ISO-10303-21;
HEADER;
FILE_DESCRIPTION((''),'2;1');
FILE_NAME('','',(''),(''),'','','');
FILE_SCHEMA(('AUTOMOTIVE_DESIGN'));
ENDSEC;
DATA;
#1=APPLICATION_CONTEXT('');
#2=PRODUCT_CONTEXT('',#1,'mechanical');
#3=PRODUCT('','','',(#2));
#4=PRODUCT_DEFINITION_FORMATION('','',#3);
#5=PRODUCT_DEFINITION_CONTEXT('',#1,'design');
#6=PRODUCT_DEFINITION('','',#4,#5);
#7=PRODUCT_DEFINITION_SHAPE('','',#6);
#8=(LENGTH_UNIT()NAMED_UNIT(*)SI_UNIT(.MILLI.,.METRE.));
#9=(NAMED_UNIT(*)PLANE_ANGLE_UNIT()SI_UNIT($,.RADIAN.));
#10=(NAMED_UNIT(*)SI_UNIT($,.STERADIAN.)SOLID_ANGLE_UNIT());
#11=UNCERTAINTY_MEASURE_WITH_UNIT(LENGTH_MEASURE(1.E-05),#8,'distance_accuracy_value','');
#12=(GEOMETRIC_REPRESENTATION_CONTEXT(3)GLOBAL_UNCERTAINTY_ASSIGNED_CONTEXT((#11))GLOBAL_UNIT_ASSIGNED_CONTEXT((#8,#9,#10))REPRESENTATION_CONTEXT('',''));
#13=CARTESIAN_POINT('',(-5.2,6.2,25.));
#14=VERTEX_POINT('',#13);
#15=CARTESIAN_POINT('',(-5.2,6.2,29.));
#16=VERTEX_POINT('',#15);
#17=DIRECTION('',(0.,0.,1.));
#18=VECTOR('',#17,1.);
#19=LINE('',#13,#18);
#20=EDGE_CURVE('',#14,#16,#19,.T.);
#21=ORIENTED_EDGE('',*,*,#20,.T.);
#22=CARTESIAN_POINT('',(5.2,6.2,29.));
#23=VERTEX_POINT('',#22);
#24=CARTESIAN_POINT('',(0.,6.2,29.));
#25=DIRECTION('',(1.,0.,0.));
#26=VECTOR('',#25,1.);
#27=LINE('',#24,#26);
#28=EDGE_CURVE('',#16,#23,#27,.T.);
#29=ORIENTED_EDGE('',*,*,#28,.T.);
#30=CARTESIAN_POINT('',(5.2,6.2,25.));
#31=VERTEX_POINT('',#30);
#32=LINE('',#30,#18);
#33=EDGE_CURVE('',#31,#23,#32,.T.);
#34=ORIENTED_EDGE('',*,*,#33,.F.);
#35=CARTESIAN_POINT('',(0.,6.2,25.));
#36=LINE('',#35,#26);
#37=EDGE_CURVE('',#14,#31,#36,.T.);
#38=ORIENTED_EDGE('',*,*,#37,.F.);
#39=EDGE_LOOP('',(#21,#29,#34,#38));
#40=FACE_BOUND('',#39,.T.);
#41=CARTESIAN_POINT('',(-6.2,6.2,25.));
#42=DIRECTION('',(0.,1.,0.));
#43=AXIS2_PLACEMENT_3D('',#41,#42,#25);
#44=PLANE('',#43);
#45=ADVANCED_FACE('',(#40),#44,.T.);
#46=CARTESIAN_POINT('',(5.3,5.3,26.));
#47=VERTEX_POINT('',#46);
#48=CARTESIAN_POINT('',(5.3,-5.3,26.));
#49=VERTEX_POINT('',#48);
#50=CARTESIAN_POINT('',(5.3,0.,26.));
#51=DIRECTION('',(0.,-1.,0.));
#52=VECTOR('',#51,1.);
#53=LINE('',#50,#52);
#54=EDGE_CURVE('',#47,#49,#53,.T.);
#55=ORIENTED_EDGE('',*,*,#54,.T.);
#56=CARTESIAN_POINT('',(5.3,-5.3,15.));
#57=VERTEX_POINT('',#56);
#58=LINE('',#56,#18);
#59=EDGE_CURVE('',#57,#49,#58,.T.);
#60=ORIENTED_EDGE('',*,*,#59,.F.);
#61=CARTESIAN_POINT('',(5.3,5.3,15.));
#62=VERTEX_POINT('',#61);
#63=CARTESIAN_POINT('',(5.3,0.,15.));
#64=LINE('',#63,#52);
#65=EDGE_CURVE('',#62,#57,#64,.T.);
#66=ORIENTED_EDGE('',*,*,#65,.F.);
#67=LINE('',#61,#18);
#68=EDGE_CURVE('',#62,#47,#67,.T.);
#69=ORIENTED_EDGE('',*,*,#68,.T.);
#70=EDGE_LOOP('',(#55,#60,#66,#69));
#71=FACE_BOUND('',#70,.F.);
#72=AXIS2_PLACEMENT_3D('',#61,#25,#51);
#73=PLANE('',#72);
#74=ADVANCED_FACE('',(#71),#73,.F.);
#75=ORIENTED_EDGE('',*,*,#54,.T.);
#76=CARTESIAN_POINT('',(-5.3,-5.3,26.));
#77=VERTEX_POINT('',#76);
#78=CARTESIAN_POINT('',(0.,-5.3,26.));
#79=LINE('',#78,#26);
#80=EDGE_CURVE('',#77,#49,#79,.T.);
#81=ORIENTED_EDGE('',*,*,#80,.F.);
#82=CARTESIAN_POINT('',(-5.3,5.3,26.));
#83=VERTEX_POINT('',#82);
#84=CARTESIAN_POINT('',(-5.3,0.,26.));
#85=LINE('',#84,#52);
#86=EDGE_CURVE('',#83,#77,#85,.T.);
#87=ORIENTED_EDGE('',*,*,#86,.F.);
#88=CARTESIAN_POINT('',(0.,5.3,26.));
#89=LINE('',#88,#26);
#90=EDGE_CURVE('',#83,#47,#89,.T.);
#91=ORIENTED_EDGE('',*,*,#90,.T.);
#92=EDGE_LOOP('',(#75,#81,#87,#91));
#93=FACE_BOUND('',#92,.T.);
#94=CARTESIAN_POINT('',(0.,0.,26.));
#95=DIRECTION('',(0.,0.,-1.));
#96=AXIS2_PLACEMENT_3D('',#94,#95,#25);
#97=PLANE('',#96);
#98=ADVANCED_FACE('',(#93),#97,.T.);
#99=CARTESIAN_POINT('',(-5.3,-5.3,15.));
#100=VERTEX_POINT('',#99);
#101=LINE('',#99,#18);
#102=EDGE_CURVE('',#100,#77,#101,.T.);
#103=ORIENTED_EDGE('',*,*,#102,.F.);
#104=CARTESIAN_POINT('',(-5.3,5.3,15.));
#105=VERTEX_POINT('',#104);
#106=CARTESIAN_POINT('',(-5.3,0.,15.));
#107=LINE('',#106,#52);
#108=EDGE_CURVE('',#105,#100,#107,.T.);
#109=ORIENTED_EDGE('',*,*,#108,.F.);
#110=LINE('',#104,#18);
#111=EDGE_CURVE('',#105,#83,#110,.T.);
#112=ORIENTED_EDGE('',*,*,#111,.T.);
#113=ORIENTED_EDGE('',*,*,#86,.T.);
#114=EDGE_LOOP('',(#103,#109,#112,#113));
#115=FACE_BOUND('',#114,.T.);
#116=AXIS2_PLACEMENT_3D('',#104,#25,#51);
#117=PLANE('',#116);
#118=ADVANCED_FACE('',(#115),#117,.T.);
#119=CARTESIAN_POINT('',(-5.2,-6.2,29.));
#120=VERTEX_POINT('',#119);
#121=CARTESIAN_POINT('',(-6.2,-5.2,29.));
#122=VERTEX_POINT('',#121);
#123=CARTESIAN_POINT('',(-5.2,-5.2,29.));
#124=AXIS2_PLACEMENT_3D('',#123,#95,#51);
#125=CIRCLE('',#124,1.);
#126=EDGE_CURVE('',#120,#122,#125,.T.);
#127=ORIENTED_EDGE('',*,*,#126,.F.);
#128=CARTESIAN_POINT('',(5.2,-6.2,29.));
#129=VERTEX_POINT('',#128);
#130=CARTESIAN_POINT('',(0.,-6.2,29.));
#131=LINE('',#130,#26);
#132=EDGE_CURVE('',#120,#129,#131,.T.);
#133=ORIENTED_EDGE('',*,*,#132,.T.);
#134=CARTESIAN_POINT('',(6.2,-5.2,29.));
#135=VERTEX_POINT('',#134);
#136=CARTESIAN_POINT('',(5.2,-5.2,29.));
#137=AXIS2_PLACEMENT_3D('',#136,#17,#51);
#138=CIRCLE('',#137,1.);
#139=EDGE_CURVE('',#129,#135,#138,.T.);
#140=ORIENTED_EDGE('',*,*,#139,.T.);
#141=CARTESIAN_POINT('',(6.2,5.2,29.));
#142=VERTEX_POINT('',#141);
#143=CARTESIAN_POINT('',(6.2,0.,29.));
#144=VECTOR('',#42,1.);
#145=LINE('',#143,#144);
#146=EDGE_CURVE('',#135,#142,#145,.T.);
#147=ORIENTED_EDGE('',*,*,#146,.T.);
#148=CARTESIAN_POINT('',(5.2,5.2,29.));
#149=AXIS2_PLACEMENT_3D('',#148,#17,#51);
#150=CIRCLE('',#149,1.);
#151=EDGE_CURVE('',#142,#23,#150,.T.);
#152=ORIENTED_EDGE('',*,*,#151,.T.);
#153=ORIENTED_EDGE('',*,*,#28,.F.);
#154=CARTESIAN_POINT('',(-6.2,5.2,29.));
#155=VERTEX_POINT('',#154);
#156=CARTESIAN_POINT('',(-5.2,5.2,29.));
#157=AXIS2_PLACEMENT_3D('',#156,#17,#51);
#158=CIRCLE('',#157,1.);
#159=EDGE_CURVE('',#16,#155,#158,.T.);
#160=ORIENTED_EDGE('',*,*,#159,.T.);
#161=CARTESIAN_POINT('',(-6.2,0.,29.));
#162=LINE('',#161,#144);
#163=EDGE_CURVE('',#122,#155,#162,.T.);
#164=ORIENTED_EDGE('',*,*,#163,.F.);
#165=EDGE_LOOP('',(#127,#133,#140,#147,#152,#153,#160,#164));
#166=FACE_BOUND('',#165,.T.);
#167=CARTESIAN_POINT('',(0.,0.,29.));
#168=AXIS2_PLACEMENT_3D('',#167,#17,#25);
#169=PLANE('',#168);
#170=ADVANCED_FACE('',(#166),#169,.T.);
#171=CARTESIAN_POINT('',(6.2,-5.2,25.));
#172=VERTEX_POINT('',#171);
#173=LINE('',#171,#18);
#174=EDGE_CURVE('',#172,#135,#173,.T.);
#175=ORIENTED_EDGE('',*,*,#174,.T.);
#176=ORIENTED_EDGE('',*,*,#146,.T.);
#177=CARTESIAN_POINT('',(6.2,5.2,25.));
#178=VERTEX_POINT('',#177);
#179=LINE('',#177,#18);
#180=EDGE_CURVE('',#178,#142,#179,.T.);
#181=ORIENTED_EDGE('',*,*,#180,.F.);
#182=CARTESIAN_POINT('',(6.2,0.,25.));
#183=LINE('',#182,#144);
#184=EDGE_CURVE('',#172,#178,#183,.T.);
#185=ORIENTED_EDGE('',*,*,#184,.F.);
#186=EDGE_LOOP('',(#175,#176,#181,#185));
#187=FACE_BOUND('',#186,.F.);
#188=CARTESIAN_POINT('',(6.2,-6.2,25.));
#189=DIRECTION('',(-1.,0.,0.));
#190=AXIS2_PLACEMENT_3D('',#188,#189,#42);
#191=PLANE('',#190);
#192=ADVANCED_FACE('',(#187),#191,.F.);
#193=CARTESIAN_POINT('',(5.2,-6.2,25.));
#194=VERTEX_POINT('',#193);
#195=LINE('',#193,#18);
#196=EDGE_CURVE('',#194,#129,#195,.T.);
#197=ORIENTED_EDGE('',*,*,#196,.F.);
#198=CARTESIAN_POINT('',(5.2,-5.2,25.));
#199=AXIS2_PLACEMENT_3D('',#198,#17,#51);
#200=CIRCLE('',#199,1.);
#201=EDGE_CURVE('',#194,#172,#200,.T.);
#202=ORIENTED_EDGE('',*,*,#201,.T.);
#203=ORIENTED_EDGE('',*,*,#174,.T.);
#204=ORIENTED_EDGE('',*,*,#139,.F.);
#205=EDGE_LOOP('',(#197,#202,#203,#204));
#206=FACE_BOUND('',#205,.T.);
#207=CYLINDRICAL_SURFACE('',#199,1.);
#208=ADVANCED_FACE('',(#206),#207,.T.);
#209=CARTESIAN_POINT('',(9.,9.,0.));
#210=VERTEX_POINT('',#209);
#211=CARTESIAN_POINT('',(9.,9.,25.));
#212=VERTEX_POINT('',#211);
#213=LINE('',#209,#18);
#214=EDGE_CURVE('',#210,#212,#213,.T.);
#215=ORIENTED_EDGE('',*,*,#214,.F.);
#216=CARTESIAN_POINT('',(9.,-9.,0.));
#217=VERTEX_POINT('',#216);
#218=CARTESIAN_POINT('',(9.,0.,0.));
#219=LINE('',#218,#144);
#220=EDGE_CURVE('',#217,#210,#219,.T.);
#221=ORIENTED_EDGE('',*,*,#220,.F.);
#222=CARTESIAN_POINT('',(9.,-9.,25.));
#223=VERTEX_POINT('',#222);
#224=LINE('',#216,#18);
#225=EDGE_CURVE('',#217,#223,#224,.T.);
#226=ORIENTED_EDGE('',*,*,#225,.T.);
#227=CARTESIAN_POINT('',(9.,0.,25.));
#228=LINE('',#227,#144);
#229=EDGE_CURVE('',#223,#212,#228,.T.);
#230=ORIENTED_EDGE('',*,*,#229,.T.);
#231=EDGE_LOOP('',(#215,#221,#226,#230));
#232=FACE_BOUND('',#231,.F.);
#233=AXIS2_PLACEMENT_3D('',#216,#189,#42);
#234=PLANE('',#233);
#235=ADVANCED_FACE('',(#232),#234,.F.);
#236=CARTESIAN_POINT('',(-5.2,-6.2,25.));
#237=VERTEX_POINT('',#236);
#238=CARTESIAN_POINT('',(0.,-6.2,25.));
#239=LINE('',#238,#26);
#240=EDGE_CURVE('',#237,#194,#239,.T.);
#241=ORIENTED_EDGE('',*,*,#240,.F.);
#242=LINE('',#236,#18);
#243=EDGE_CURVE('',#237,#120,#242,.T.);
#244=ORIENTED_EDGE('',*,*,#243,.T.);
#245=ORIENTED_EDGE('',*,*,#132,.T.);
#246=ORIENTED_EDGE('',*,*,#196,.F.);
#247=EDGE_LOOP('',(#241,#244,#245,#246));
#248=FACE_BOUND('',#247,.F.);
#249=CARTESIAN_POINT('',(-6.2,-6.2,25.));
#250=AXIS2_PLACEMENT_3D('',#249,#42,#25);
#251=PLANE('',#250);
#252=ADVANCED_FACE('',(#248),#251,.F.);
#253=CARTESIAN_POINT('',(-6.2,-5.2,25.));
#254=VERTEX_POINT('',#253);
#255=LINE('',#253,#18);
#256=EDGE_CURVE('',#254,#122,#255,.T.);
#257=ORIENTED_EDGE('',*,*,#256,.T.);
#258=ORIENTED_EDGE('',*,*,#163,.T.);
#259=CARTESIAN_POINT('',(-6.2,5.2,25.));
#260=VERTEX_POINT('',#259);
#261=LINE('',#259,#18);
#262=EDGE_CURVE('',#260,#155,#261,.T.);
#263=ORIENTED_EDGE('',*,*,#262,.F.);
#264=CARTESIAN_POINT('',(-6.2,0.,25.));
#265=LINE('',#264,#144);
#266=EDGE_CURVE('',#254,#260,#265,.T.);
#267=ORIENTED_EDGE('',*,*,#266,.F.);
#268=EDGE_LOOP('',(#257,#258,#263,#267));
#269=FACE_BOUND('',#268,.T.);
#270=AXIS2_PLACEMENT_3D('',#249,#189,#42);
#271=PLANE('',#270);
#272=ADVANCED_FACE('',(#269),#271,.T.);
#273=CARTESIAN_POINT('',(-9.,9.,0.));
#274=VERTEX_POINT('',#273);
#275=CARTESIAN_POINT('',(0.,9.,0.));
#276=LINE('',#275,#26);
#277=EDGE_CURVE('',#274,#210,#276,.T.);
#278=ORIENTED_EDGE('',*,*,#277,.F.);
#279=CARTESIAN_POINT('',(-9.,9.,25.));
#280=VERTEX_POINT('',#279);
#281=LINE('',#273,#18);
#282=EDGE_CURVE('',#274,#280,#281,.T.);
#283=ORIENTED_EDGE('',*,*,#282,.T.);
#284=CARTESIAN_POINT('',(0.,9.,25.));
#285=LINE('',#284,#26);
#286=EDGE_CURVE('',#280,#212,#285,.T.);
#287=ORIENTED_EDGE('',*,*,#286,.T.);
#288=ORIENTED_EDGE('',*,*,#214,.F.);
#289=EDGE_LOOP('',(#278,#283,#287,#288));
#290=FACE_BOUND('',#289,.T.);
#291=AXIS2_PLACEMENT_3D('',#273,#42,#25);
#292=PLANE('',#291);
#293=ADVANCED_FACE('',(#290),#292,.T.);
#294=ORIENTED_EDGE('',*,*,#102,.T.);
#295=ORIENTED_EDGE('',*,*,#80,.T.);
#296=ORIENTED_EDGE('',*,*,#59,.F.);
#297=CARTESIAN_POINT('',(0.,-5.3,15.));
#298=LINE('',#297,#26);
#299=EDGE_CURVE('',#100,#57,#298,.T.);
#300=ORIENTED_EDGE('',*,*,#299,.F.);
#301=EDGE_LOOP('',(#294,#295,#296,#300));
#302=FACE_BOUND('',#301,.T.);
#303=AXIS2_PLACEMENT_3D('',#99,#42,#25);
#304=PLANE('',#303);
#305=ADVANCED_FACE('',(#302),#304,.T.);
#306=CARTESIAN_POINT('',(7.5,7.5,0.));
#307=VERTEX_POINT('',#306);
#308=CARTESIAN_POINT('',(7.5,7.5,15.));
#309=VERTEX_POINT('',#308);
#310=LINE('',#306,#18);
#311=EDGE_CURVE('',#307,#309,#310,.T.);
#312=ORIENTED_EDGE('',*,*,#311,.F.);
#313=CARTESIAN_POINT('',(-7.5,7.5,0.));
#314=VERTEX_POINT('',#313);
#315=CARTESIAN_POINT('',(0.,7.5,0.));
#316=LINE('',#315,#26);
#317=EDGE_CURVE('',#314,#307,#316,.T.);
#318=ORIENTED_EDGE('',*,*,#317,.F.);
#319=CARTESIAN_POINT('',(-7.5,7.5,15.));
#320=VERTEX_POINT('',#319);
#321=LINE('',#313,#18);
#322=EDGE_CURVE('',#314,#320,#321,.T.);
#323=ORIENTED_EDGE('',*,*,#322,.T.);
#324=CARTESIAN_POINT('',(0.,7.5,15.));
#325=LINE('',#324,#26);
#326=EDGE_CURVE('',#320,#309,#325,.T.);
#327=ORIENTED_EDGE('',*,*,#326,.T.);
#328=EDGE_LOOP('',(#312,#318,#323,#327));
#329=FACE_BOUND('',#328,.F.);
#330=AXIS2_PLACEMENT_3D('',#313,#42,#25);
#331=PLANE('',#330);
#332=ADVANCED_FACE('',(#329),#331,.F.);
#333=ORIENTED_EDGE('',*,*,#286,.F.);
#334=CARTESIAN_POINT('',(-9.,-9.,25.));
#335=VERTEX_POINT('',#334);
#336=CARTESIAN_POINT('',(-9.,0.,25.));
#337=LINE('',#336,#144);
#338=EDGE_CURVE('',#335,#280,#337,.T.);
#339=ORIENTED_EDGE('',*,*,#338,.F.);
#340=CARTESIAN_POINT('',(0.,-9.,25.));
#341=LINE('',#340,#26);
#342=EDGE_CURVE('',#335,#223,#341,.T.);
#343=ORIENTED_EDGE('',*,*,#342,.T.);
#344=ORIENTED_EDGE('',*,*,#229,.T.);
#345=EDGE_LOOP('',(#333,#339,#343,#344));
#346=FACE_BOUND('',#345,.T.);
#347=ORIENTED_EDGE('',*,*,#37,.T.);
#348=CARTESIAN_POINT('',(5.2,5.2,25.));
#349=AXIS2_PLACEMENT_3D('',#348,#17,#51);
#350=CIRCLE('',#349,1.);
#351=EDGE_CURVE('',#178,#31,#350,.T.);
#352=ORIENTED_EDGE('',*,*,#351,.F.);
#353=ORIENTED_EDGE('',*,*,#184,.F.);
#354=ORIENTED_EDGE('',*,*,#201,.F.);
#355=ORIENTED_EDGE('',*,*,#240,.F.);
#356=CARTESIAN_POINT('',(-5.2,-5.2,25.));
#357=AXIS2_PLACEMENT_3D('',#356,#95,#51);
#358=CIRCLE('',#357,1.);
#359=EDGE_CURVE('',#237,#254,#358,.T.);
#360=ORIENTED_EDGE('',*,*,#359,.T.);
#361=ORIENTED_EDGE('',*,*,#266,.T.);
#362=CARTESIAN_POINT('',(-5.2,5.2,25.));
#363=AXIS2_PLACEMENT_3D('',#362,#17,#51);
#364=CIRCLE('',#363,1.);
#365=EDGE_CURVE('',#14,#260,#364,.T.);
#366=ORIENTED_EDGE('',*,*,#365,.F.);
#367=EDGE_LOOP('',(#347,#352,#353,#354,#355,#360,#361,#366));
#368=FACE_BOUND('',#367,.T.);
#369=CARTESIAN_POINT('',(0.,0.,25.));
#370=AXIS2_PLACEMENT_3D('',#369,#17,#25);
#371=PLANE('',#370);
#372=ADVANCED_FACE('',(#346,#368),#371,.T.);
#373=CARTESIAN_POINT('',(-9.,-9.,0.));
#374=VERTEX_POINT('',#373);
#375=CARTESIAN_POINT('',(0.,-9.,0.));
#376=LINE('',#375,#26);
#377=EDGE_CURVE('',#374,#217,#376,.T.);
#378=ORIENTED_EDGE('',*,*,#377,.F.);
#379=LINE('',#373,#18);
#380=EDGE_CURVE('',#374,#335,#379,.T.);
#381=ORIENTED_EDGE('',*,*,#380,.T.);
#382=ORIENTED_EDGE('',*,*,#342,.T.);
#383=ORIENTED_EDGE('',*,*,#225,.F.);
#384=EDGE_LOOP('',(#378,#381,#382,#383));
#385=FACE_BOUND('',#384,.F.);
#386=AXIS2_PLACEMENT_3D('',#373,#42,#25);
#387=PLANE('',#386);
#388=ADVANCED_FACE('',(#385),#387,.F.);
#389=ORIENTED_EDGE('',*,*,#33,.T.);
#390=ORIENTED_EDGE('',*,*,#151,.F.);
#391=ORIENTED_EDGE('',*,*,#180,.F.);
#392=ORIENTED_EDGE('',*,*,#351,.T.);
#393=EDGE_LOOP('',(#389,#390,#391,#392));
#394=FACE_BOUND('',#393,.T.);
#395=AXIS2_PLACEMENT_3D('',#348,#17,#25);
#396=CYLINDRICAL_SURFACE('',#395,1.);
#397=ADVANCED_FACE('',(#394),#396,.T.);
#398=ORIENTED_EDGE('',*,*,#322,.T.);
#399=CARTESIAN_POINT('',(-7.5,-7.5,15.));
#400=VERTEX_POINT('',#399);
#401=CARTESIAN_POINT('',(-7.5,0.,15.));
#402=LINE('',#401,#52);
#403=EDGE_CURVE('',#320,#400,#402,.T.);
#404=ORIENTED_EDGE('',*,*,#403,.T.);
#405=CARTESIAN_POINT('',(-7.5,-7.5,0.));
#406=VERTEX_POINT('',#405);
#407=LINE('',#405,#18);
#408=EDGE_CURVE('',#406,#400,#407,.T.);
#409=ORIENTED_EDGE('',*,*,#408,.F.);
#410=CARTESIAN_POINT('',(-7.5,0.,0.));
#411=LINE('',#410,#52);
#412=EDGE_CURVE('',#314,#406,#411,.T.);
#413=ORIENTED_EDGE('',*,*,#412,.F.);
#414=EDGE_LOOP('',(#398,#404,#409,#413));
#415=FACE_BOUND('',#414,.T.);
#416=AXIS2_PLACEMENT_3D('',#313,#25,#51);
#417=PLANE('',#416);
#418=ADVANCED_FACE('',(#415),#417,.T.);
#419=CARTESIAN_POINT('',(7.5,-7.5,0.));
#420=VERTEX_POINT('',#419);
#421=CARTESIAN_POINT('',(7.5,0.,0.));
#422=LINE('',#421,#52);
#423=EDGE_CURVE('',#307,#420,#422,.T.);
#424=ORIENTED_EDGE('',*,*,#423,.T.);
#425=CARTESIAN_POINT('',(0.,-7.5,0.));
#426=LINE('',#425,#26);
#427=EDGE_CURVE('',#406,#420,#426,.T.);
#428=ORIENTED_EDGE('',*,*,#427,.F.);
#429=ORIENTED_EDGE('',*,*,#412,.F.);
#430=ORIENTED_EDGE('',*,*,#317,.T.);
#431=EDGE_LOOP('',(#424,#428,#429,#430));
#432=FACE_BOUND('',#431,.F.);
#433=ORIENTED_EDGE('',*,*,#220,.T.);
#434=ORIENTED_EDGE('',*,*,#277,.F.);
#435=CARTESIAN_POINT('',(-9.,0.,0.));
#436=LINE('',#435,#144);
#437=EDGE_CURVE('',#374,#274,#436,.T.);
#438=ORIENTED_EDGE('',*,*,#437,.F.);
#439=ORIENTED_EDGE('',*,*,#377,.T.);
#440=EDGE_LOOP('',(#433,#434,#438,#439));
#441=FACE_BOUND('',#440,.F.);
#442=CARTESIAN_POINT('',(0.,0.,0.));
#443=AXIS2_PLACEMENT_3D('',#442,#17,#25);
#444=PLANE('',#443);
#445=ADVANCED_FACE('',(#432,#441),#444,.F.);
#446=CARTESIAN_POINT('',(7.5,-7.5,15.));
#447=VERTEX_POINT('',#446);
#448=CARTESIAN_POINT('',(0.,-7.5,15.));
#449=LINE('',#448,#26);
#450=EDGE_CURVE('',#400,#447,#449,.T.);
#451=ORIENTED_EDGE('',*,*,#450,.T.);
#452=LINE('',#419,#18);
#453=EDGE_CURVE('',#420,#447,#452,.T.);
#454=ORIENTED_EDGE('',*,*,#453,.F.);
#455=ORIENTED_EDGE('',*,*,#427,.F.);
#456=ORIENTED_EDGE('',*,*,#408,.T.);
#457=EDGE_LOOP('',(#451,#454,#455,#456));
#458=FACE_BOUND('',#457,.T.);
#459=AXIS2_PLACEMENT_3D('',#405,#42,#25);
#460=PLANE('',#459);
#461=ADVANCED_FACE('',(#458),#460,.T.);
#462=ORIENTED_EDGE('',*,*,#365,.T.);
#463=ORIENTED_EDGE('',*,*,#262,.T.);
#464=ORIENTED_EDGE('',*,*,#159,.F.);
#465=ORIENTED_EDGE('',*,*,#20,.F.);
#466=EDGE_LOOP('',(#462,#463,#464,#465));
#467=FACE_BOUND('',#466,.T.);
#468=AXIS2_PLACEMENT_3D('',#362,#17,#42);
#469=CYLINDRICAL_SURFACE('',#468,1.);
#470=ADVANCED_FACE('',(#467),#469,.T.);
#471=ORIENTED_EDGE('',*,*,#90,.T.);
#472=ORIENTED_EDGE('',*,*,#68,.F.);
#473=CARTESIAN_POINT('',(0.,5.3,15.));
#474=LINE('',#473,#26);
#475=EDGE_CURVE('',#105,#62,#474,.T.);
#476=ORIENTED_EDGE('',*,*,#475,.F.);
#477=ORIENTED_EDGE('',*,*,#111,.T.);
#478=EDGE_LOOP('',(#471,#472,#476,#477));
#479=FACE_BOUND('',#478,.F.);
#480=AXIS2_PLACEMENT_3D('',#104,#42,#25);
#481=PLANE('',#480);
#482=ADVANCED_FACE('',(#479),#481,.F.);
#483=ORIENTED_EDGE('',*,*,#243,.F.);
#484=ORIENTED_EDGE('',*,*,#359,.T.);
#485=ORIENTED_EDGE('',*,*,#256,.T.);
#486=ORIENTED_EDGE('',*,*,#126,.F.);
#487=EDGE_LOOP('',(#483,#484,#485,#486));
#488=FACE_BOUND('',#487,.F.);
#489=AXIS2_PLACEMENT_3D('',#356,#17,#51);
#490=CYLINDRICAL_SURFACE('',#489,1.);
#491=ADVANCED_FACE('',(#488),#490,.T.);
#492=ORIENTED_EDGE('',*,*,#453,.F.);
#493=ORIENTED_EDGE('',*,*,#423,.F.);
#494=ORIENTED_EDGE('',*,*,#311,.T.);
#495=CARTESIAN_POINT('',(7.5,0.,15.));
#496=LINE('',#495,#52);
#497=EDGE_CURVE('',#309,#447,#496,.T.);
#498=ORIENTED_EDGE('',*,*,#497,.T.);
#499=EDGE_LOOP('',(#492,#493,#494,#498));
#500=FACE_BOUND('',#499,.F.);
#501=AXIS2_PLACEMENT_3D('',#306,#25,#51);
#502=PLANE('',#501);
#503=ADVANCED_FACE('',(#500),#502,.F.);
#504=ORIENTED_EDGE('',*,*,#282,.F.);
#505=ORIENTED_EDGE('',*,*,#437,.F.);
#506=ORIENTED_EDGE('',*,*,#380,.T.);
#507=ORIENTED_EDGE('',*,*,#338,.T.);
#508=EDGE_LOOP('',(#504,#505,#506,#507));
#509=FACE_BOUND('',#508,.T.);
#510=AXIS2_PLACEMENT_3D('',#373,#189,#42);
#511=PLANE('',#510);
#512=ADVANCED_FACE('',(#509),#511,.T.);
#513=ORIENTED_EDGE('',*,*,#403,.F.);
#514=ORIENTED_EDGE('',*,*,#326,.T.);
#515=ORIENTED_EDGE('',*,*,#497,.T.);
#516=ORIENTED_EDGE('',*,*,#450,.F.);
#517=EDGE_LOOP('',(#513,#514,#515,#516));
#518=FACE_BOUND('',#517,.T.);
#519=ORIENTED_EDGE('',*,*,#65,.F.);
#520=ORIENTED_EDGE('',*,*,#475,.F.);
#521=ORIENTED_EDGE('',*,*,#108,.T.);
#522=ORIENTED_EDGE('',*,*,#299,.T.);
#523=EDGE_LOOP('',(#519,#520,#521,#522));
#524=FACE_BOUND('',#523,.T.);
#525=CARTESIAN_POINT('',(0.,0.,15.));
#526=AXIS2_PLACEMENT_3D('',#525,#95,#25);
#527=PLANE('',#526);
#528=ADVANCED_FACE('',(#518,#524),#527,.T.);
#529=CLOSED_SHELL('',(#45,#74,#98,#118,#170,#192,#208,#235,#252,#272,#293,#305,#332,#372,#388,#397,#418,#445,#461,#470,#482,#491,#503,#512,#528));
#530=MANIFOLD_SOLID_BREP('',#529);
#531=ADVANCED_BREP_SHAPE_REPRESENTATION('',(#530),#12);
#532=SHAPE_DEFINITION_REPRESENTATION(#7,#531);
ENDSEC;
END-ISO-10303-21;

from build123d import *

# Parameters (mm, degrees)
F0_W     = 18
F0_H     = 18
F1_DEPTH = 25
F2_W     = 12.4
F2_H     = 12.4
F3_DEPTH = 4
F4_W     = 15
F4_H     = 15
F5_DEPTH = 15
F6_W     = 10.6
F6_H     = 10.6
F7_DEPTH = 11
F8_R     = 1


with BuildPart() as f1:
    # F0 (on Top) → F1 (new body)
    with BuildSketch(Plane.XY):
        Rectangle(F0_W, F0_H)
    extrude(amount=F1_DEPTH)

    # F2 (on face) → F3 (join)
    with BuildSketch(Plane.XY.offset(25)):
        Rectangle(F2_W, F2_H)
    extrude(amount=F3_DEPTH)

    # F4 (on face) → F5 (cut)
    with BuildSketch(Plane(origin=(0, 0, 0), x_dir=(1, 0, 0), z_dir=(0, 0, -1))):
        Rectangle(F4_W, F4_H)
    extrude(amount=-F5_DEPTH, mode=Mode.SUBTRACT)

    # F6 (on face) → F7 (cut)
    with BuildSketch(Plane(origin=(0, 0, 15), x_dir=(1, 0, 0), z_dir=(0, 0, -1))):
        Rectangle(F6_W, F6_H)
    extrude(amount=-F7_DEPTH, mode=Mode.SUBTRACT)

    # F8
    f8_edges = [f1.edges().sort_by_distance(p)[0] for p in [
        (6.2, -6.2, 27),
        (6.2, 6.2, 27),
        (-6.2, 6.2, 27),
        (-6.2, -6.2, 27),
    ]]
    fillet(f8_edges, radius=F8_R)


solid = f1.part
